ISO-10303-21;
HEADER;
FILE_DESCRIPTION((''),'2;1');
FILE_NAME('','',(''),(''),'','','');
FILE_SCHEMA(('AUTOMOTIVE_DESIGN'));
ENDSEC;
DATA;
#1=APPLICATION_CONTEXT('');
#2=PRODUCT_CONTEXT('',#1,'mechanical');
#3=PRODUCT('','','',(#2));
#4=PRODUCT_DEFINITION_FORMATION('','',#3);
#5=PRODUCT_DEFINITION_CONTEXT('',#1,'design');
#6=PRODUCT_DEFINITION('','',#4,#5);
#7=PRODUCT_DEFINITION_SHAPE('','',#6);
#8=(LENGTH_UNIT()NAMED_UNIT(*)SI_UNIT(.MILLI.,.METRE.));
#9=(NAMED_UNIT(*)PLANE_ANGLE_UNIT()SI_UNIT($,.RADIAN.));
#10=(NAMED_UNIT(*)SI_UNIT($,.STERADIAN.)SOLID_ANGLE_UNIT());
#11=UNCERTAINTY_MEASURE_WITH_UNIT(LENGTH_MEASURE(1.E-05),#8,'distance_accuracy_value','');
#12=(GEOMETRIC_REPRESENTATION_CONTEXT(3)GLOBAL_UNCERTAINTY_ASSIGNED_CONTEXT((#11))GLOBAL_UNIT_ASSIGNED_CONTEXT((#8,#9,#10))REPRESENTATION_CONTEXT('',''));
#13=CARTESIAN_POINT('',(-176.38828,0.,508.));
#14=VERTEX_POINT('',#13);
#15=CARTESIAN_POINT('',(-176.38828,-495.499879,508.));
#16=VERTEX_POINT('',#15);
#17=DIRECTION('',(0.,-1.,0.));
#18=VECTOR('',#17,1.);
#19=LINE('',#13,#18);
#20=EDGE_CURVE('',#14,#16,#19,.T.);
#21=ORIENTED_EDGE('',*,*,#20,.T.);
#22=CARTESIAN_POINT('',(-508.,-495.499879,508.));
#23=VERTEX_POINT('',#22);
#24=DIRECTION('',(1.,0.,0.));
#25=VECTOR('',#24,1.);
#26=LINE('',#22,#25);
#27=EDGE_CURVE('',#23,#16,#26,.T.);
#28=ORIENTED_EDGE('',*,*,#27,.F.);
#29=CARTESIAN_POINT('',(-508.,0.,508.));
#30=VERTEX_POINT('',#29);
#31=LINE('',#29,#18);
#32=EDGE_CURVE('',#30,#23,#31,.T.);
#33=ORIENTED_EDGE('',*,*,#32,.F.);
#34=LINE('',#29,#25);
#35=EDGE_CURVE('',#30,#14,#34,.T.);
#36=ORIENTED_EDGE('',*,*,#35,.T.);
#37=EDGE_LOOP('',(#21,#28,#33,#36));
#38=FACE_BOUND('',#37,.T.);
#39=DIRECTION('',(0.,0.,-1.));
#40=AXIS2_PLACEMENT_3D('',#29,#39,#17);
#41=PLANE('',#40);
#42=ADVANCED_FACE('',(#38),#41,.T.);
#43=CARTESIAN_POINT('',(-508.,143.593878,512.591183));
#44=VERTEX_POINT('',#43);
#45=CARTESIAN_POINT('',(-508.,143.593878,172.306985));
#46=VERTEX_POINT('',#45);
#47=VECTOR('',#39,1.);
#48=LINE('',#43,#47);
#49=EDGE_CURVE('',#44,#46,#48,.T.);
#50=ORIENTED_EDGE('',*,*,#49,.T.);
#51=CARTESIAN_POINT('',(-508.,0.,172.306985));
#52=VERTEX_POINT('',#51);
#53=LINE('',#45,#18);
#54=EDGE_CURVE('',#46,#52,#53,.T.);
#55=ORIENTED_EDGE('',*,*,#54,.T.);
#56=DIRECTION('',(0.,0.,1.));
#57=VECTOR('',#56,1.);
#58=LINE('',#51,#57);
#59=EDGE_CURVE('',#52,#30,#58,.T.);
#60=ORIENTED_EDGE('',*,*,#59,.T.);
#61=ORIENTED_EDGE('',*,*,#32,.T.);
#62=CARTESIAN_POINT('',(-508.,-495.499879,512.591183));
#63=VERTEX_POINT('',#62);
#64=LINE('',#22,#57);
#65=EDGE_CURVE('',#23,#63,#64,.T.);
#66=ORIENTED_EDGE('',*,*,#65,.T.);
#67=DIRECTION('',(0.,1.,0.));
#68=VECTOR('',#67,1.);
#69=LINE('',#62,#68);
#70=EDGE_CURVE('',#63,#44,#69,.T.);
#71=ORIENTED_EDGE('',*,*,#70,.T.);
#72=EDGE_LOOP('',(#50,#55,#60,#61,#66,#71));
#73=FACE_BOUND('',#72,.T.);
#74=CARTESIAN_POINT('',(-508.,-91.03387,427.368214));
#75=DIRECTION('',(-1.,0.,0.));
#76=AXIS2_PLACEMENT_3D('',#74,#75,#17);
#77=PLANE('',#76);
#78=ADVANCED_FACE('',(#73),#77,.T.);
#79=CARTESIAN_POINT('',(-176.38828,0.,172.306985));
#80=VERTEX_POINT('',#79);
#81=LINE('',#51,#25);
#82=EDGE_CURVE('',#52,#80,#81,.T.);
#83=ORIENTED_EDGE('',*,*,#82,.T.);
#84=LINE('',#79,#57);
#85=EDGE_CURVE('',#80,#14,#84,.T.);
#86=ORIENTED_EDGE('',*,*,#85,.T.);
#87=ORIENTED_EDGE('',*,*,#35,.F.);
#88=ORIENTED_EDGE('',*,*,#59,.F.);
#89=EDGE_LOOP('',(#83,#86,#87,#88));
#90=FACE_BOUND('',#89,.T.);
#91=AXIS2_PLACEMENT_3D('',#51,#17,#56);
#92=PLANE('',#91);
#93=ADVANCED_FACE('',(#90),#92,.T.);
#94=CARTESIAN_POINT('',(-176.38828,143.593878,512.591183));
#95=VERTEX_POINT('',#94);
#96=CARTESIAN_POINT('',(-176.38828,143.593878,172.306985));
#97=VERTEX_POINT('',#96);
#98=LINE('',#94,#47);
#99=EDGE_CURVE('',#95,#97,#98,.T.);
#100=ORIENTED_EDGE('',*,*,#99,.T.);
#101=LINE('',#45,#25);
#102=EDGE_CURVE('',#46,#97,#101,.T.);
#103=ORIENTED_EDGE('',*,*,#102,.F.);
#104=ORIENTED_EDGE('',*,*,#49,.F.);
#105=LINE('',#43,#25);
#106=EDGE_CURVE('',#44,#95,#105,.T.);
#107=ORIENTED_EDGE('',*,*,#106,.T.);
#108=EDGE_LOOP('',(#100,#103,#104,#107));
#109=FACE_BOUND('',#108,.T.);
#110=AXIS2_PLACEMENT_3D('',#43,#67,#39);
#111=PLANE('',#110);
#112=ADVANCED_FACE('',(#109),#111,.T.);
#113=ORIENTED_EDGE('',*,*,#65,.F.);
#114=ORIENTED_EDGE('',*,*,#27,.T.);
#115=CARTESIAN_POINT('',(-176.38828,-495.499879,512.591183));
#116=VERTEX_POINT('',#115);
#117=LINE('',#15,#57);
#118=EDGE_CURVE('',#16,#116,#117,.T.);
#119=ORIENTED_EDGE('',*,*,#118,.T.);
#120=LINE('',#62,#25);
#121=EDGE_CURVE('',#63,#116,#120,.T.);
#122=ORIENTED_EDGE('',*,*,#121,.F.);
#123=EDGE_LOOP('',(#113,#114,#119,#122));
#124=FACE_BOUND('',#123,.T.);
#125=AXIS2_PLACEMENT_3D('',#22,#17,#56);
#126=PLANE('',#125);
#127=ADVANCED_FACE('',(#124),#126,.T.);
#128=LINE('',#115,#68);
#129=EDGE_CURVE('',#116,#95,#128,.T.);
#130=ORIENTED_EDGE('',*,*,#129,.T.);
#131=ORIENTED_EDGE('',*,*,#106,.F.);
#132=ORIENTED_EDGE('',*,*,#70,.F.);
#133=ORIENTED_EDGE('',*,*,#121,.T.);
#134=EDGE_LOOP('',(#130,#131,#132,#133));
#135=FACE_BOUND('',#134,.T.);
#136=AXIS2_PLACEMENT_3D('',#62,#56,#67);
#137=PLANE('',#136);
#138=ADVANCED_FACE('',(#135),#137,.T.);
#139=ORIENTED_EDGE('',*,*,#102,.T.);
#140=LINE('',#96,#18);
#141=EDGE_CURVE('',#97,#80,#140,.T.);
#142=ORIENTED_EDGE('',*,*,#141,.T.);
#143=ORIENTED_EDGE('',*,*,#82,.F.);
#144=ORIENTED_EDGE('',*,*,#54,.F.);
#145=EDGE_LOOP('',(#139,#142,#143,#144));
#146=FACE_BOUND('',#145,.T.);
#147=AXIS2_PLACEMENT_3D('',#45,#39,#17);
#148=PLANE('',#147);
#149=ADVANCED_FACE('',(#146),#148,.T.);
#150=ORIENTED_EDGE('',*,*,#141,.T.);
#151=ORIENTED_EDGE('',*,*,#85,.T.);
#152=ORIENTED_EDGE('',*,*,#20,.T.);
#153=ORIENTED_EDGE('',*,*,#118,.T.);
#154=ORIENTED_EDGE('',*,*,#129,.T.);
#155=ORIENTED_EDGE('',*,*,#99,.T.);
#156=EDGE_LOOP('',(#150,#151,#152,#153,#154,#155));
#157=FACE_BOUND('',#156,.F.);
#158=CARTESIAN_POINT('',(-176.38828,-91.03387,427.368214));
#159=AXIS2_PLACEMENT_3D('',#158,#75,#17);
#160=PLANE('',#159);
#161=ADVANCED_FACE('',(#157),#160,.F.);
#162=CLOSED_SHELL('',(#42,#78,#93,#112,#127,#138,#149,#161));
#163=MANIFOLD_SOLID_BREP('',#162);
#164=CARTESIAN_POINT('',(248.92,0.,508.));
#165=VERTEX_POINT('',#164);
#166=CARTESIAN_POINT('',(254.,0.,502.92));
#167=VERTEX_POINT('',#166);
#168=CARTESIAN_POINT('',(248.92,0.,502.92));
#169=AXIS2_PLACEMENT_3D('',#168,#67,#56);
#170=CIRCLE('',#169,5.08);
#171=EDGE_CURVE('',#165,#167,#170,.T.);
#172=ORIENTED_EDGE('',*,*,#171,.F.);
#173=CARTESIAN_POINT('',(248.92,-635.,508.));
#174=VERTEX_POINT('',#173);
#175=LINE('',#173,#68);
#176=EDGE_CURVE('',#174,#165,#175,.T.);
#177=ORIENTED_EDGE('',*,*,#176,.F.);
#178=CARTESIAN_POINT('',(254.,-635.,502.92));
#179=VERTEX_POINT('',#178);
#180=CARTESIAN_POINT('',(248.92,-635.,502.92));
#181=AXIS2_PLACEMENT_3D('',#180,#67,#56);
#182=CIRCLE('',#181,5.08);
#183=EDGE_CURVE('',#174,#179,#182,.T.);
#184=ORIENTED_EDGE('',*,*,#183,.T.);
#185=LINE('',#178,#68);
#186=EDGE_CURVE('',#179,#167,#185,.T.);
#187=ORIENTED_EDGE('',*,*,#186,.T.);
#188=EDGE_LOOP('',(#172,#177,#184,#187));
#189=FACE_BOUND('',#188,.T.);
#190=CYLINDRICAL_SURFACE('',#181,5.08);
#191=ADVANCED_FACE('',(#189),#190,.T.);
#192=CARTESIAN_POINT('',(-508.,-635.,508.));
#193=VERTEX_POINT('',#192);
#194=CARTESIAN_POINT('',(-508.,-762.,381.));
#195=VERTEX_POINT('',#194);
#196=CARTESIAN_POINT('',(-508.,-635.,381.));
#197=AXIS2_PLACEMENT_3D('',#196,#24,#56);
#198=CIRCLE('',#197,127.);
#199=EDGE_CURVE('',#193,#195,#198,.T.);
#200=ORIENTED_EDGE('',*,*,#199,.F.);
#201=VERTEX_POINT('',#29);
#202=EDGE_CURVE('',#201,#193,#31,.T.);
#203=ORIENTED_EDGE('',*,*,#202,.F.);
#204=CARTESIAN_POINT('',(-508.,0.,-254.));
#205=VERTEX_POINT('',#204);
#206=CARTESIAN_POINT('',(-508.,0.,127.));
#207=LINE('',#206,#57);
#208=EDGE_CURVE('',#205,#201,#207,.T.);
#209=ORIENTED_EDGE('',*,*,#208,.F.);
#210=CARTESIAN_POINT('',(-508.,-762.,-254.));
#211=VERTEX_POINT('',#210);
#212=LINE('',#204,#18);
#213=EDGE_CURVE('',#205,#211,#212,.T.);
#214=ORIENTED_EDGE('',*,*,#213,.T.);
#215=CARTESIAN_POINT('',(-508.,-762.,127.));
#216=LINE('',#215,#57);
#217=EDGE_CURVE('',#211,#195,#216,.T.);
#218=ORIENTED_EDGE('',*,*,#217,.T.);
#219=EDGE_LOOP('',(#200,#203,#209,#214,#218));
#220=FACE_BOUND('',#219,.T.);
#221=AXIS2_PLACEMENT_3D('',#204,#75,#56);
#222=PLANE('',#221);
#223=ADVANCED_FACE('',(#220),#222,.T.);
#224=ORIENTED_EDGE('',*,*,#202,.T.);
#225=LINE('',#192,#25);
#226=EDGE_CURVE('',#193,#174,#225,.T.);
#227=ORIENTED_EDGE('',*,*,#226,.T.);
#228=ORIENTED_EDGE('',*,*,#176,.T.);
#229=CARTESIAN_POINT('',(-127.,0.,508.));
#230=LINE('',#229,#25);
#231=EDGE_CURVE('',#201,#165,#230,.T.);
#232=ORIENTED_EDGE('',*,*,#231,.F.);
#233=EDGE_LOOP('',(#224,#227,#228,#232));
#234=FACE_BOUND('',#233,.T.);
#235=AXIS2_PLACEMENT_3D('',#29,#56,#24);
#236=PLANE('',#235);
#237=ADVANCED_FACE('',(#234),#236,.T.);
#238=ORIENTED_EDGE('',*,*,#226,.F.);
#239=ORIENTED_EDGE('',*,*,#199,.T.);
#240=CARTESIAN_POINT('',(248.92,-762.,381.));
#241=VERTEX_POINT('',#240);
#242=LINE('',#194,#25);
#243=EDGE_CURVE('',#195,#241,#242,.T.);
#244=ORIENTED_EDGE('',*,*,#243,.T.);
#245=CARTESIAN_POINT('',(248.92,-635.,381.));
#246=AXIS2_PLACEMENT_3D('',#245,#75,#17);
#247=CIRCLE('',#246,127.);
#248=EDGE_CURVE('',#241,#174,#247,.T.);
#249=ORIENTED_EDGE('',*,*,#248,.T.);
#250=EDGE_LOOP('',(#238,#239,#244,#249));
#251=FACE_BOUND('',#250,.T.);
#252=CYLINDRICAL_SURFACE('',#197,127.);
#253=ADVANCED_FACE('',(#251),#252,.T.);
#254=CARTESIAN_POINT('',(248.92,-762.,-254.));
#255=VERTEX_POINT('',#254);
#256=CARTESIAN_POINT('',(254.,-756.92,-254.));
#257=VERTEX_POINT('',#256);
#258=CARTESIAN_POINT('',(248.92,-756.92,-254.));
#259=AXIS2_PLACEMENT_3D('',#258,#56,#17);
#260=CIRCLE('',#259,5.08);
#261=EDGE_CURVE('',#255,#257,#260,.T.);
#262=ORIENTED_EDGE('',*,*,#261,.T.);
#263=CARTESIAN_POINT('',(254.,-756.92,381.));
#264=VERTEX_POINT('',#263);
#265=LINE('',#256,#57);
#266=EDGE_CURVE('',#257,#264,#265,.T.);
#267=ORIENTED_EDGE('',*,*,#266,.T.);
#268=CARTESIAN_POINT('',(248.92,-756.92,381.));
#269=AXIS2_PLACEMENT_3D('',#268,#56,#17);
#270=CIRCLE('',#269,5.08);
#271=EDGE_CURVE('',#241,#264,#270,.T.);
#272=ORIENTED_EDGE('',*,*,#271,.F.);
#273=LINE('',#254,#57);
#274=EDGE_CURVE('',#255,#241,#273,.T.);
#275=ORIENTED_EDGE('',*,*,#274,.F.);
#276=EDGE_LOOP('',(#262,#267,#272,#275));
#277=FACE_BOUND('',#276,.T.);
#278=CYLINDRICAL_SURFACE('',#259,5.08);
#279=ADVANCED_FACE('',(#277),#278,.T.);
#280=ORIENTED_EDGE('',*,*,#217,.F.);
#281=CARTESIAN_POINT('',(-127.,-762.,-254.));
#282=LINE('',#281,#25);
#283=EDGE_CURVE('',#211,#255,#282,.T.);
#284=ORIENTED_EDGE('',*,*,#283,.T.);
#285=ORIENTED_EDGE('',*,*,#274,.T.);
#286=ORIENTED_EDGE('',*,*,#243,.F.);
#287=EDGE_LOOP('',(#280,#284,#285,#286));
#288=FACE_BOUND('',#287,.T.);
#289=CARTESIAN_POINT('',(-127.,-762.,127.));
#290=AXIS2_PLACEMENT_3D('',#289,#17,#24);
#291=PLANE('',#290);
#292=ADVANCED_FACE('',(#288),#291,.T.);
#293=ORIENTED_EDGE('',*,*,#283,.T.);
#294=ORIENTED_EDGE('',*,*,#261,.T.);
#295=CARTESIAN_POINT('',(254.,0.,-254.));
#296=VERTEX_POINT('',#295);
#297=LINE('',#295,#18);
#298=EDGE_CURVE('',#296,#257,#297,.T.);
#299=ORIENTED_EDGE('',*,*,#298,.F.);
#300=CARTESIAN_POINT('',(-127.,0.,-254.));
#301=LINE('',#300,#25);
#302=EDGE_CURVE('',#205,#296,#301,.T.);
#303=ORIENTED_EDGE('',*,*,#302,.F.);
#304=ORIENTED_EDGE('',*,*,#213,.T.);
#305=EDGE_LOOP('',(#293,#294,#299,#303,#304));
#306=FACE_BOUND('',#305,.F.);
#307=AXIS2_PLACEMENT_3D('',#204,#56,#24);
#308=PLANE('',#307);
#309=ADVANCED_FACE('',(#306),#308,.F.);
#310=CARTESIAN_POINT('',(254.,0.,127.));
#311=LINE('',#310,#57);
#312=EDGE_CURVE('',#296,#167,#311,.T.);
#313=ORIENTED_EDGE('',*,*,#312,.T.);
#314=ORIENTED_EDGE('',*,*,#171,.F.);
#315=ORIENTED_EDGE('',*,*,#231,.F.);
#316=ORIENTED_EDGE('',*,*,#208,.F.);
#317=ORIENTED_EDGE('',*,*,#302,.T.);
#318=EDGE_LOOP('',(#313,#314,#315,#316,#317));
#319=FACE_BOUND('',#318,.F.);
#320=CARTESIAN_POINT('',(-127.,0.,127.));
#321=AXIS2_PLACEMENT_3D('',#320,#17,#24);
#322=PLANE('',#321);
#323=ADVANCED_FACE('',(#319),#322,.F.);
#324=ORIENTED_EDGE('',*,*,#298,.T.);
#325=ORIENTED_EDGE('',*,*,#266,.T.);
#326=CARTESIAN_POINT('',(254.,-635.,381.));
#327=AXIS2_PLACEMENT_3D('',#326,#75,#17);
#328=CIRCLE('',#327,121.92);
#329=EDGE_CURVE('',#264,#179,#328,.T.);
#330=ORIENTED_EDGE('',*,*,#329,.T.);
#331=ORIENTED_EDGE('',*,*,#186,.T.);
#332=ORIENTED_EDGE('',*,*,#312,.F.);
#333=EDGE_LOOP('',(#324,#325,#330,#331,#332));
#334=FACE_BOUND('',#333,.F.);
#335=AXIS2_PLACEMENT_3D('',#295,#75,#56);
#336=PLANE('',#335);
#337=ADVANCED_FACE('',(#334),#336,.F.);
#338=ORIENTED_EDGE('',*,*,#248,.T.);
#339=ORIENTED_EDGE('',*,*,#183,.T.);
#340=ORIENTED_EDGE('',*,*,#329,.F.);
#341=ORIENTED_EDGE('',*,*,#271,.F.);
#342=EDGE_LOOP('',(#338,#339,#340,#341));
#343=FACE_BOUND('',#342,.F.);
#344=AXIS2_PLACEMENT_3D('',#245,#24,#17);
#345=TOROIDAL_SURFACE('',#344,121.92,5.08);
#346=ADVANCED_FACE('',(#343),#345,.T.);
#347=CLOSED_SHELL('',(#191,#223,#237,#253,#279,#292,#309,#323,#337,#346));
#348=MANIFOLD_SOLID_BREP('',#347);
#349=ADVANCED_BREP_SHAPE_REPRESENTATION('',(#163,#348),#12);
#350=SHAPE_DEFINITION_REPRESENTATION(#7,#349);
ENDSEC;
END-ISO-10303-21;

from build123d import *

# Parameters (mm, degrees)
F0_W     = 762
F0_H     = 762
F1_DEPTH = 762
F2_R     = 127
F4_DEPTH = 331.61172
F5_R     = 5.08


with BuildPart() as f1:
    # F0 (on Front) → F1 (new body)
    with BuildSketch(Plane.XZ):
        with Locations((-127, 127)):
            Rectangle(F0_W, F0_H)
    extrude(amount=F1_DEPTH)

    # F2
    f2_edges = [f1.edges().sort_by_distance(p)[0] for p in [
        (-127, -762, 508),
    ]]
    fillet(f2_edges, radius=F2_R)

    # F5
    f5_edges = [f1.edges().sort_by_distance(p)[0] for p in [
        (254, -762, 63.5),
    ]]
    fillet(f5_edges, radius=F5_R)


with BuildPart() as f4:
    # F3 (on face) → F4 (new body)
    with BuildSketch(Plane(origin=(-508, 0, 0), x_dir=(0, -1, 0), z_dir=(-1, 0, 0))):
        Polygon((495.499879, 512.591183), (-143.593878, 512.591183), (-143.593878, 172.306985), (0, 172.306985), (0, 508), (495.499879, 508), align=None)
    extrude(amount=-F4_DEPTH)


solid = Compound([f1.part, f4.part])
